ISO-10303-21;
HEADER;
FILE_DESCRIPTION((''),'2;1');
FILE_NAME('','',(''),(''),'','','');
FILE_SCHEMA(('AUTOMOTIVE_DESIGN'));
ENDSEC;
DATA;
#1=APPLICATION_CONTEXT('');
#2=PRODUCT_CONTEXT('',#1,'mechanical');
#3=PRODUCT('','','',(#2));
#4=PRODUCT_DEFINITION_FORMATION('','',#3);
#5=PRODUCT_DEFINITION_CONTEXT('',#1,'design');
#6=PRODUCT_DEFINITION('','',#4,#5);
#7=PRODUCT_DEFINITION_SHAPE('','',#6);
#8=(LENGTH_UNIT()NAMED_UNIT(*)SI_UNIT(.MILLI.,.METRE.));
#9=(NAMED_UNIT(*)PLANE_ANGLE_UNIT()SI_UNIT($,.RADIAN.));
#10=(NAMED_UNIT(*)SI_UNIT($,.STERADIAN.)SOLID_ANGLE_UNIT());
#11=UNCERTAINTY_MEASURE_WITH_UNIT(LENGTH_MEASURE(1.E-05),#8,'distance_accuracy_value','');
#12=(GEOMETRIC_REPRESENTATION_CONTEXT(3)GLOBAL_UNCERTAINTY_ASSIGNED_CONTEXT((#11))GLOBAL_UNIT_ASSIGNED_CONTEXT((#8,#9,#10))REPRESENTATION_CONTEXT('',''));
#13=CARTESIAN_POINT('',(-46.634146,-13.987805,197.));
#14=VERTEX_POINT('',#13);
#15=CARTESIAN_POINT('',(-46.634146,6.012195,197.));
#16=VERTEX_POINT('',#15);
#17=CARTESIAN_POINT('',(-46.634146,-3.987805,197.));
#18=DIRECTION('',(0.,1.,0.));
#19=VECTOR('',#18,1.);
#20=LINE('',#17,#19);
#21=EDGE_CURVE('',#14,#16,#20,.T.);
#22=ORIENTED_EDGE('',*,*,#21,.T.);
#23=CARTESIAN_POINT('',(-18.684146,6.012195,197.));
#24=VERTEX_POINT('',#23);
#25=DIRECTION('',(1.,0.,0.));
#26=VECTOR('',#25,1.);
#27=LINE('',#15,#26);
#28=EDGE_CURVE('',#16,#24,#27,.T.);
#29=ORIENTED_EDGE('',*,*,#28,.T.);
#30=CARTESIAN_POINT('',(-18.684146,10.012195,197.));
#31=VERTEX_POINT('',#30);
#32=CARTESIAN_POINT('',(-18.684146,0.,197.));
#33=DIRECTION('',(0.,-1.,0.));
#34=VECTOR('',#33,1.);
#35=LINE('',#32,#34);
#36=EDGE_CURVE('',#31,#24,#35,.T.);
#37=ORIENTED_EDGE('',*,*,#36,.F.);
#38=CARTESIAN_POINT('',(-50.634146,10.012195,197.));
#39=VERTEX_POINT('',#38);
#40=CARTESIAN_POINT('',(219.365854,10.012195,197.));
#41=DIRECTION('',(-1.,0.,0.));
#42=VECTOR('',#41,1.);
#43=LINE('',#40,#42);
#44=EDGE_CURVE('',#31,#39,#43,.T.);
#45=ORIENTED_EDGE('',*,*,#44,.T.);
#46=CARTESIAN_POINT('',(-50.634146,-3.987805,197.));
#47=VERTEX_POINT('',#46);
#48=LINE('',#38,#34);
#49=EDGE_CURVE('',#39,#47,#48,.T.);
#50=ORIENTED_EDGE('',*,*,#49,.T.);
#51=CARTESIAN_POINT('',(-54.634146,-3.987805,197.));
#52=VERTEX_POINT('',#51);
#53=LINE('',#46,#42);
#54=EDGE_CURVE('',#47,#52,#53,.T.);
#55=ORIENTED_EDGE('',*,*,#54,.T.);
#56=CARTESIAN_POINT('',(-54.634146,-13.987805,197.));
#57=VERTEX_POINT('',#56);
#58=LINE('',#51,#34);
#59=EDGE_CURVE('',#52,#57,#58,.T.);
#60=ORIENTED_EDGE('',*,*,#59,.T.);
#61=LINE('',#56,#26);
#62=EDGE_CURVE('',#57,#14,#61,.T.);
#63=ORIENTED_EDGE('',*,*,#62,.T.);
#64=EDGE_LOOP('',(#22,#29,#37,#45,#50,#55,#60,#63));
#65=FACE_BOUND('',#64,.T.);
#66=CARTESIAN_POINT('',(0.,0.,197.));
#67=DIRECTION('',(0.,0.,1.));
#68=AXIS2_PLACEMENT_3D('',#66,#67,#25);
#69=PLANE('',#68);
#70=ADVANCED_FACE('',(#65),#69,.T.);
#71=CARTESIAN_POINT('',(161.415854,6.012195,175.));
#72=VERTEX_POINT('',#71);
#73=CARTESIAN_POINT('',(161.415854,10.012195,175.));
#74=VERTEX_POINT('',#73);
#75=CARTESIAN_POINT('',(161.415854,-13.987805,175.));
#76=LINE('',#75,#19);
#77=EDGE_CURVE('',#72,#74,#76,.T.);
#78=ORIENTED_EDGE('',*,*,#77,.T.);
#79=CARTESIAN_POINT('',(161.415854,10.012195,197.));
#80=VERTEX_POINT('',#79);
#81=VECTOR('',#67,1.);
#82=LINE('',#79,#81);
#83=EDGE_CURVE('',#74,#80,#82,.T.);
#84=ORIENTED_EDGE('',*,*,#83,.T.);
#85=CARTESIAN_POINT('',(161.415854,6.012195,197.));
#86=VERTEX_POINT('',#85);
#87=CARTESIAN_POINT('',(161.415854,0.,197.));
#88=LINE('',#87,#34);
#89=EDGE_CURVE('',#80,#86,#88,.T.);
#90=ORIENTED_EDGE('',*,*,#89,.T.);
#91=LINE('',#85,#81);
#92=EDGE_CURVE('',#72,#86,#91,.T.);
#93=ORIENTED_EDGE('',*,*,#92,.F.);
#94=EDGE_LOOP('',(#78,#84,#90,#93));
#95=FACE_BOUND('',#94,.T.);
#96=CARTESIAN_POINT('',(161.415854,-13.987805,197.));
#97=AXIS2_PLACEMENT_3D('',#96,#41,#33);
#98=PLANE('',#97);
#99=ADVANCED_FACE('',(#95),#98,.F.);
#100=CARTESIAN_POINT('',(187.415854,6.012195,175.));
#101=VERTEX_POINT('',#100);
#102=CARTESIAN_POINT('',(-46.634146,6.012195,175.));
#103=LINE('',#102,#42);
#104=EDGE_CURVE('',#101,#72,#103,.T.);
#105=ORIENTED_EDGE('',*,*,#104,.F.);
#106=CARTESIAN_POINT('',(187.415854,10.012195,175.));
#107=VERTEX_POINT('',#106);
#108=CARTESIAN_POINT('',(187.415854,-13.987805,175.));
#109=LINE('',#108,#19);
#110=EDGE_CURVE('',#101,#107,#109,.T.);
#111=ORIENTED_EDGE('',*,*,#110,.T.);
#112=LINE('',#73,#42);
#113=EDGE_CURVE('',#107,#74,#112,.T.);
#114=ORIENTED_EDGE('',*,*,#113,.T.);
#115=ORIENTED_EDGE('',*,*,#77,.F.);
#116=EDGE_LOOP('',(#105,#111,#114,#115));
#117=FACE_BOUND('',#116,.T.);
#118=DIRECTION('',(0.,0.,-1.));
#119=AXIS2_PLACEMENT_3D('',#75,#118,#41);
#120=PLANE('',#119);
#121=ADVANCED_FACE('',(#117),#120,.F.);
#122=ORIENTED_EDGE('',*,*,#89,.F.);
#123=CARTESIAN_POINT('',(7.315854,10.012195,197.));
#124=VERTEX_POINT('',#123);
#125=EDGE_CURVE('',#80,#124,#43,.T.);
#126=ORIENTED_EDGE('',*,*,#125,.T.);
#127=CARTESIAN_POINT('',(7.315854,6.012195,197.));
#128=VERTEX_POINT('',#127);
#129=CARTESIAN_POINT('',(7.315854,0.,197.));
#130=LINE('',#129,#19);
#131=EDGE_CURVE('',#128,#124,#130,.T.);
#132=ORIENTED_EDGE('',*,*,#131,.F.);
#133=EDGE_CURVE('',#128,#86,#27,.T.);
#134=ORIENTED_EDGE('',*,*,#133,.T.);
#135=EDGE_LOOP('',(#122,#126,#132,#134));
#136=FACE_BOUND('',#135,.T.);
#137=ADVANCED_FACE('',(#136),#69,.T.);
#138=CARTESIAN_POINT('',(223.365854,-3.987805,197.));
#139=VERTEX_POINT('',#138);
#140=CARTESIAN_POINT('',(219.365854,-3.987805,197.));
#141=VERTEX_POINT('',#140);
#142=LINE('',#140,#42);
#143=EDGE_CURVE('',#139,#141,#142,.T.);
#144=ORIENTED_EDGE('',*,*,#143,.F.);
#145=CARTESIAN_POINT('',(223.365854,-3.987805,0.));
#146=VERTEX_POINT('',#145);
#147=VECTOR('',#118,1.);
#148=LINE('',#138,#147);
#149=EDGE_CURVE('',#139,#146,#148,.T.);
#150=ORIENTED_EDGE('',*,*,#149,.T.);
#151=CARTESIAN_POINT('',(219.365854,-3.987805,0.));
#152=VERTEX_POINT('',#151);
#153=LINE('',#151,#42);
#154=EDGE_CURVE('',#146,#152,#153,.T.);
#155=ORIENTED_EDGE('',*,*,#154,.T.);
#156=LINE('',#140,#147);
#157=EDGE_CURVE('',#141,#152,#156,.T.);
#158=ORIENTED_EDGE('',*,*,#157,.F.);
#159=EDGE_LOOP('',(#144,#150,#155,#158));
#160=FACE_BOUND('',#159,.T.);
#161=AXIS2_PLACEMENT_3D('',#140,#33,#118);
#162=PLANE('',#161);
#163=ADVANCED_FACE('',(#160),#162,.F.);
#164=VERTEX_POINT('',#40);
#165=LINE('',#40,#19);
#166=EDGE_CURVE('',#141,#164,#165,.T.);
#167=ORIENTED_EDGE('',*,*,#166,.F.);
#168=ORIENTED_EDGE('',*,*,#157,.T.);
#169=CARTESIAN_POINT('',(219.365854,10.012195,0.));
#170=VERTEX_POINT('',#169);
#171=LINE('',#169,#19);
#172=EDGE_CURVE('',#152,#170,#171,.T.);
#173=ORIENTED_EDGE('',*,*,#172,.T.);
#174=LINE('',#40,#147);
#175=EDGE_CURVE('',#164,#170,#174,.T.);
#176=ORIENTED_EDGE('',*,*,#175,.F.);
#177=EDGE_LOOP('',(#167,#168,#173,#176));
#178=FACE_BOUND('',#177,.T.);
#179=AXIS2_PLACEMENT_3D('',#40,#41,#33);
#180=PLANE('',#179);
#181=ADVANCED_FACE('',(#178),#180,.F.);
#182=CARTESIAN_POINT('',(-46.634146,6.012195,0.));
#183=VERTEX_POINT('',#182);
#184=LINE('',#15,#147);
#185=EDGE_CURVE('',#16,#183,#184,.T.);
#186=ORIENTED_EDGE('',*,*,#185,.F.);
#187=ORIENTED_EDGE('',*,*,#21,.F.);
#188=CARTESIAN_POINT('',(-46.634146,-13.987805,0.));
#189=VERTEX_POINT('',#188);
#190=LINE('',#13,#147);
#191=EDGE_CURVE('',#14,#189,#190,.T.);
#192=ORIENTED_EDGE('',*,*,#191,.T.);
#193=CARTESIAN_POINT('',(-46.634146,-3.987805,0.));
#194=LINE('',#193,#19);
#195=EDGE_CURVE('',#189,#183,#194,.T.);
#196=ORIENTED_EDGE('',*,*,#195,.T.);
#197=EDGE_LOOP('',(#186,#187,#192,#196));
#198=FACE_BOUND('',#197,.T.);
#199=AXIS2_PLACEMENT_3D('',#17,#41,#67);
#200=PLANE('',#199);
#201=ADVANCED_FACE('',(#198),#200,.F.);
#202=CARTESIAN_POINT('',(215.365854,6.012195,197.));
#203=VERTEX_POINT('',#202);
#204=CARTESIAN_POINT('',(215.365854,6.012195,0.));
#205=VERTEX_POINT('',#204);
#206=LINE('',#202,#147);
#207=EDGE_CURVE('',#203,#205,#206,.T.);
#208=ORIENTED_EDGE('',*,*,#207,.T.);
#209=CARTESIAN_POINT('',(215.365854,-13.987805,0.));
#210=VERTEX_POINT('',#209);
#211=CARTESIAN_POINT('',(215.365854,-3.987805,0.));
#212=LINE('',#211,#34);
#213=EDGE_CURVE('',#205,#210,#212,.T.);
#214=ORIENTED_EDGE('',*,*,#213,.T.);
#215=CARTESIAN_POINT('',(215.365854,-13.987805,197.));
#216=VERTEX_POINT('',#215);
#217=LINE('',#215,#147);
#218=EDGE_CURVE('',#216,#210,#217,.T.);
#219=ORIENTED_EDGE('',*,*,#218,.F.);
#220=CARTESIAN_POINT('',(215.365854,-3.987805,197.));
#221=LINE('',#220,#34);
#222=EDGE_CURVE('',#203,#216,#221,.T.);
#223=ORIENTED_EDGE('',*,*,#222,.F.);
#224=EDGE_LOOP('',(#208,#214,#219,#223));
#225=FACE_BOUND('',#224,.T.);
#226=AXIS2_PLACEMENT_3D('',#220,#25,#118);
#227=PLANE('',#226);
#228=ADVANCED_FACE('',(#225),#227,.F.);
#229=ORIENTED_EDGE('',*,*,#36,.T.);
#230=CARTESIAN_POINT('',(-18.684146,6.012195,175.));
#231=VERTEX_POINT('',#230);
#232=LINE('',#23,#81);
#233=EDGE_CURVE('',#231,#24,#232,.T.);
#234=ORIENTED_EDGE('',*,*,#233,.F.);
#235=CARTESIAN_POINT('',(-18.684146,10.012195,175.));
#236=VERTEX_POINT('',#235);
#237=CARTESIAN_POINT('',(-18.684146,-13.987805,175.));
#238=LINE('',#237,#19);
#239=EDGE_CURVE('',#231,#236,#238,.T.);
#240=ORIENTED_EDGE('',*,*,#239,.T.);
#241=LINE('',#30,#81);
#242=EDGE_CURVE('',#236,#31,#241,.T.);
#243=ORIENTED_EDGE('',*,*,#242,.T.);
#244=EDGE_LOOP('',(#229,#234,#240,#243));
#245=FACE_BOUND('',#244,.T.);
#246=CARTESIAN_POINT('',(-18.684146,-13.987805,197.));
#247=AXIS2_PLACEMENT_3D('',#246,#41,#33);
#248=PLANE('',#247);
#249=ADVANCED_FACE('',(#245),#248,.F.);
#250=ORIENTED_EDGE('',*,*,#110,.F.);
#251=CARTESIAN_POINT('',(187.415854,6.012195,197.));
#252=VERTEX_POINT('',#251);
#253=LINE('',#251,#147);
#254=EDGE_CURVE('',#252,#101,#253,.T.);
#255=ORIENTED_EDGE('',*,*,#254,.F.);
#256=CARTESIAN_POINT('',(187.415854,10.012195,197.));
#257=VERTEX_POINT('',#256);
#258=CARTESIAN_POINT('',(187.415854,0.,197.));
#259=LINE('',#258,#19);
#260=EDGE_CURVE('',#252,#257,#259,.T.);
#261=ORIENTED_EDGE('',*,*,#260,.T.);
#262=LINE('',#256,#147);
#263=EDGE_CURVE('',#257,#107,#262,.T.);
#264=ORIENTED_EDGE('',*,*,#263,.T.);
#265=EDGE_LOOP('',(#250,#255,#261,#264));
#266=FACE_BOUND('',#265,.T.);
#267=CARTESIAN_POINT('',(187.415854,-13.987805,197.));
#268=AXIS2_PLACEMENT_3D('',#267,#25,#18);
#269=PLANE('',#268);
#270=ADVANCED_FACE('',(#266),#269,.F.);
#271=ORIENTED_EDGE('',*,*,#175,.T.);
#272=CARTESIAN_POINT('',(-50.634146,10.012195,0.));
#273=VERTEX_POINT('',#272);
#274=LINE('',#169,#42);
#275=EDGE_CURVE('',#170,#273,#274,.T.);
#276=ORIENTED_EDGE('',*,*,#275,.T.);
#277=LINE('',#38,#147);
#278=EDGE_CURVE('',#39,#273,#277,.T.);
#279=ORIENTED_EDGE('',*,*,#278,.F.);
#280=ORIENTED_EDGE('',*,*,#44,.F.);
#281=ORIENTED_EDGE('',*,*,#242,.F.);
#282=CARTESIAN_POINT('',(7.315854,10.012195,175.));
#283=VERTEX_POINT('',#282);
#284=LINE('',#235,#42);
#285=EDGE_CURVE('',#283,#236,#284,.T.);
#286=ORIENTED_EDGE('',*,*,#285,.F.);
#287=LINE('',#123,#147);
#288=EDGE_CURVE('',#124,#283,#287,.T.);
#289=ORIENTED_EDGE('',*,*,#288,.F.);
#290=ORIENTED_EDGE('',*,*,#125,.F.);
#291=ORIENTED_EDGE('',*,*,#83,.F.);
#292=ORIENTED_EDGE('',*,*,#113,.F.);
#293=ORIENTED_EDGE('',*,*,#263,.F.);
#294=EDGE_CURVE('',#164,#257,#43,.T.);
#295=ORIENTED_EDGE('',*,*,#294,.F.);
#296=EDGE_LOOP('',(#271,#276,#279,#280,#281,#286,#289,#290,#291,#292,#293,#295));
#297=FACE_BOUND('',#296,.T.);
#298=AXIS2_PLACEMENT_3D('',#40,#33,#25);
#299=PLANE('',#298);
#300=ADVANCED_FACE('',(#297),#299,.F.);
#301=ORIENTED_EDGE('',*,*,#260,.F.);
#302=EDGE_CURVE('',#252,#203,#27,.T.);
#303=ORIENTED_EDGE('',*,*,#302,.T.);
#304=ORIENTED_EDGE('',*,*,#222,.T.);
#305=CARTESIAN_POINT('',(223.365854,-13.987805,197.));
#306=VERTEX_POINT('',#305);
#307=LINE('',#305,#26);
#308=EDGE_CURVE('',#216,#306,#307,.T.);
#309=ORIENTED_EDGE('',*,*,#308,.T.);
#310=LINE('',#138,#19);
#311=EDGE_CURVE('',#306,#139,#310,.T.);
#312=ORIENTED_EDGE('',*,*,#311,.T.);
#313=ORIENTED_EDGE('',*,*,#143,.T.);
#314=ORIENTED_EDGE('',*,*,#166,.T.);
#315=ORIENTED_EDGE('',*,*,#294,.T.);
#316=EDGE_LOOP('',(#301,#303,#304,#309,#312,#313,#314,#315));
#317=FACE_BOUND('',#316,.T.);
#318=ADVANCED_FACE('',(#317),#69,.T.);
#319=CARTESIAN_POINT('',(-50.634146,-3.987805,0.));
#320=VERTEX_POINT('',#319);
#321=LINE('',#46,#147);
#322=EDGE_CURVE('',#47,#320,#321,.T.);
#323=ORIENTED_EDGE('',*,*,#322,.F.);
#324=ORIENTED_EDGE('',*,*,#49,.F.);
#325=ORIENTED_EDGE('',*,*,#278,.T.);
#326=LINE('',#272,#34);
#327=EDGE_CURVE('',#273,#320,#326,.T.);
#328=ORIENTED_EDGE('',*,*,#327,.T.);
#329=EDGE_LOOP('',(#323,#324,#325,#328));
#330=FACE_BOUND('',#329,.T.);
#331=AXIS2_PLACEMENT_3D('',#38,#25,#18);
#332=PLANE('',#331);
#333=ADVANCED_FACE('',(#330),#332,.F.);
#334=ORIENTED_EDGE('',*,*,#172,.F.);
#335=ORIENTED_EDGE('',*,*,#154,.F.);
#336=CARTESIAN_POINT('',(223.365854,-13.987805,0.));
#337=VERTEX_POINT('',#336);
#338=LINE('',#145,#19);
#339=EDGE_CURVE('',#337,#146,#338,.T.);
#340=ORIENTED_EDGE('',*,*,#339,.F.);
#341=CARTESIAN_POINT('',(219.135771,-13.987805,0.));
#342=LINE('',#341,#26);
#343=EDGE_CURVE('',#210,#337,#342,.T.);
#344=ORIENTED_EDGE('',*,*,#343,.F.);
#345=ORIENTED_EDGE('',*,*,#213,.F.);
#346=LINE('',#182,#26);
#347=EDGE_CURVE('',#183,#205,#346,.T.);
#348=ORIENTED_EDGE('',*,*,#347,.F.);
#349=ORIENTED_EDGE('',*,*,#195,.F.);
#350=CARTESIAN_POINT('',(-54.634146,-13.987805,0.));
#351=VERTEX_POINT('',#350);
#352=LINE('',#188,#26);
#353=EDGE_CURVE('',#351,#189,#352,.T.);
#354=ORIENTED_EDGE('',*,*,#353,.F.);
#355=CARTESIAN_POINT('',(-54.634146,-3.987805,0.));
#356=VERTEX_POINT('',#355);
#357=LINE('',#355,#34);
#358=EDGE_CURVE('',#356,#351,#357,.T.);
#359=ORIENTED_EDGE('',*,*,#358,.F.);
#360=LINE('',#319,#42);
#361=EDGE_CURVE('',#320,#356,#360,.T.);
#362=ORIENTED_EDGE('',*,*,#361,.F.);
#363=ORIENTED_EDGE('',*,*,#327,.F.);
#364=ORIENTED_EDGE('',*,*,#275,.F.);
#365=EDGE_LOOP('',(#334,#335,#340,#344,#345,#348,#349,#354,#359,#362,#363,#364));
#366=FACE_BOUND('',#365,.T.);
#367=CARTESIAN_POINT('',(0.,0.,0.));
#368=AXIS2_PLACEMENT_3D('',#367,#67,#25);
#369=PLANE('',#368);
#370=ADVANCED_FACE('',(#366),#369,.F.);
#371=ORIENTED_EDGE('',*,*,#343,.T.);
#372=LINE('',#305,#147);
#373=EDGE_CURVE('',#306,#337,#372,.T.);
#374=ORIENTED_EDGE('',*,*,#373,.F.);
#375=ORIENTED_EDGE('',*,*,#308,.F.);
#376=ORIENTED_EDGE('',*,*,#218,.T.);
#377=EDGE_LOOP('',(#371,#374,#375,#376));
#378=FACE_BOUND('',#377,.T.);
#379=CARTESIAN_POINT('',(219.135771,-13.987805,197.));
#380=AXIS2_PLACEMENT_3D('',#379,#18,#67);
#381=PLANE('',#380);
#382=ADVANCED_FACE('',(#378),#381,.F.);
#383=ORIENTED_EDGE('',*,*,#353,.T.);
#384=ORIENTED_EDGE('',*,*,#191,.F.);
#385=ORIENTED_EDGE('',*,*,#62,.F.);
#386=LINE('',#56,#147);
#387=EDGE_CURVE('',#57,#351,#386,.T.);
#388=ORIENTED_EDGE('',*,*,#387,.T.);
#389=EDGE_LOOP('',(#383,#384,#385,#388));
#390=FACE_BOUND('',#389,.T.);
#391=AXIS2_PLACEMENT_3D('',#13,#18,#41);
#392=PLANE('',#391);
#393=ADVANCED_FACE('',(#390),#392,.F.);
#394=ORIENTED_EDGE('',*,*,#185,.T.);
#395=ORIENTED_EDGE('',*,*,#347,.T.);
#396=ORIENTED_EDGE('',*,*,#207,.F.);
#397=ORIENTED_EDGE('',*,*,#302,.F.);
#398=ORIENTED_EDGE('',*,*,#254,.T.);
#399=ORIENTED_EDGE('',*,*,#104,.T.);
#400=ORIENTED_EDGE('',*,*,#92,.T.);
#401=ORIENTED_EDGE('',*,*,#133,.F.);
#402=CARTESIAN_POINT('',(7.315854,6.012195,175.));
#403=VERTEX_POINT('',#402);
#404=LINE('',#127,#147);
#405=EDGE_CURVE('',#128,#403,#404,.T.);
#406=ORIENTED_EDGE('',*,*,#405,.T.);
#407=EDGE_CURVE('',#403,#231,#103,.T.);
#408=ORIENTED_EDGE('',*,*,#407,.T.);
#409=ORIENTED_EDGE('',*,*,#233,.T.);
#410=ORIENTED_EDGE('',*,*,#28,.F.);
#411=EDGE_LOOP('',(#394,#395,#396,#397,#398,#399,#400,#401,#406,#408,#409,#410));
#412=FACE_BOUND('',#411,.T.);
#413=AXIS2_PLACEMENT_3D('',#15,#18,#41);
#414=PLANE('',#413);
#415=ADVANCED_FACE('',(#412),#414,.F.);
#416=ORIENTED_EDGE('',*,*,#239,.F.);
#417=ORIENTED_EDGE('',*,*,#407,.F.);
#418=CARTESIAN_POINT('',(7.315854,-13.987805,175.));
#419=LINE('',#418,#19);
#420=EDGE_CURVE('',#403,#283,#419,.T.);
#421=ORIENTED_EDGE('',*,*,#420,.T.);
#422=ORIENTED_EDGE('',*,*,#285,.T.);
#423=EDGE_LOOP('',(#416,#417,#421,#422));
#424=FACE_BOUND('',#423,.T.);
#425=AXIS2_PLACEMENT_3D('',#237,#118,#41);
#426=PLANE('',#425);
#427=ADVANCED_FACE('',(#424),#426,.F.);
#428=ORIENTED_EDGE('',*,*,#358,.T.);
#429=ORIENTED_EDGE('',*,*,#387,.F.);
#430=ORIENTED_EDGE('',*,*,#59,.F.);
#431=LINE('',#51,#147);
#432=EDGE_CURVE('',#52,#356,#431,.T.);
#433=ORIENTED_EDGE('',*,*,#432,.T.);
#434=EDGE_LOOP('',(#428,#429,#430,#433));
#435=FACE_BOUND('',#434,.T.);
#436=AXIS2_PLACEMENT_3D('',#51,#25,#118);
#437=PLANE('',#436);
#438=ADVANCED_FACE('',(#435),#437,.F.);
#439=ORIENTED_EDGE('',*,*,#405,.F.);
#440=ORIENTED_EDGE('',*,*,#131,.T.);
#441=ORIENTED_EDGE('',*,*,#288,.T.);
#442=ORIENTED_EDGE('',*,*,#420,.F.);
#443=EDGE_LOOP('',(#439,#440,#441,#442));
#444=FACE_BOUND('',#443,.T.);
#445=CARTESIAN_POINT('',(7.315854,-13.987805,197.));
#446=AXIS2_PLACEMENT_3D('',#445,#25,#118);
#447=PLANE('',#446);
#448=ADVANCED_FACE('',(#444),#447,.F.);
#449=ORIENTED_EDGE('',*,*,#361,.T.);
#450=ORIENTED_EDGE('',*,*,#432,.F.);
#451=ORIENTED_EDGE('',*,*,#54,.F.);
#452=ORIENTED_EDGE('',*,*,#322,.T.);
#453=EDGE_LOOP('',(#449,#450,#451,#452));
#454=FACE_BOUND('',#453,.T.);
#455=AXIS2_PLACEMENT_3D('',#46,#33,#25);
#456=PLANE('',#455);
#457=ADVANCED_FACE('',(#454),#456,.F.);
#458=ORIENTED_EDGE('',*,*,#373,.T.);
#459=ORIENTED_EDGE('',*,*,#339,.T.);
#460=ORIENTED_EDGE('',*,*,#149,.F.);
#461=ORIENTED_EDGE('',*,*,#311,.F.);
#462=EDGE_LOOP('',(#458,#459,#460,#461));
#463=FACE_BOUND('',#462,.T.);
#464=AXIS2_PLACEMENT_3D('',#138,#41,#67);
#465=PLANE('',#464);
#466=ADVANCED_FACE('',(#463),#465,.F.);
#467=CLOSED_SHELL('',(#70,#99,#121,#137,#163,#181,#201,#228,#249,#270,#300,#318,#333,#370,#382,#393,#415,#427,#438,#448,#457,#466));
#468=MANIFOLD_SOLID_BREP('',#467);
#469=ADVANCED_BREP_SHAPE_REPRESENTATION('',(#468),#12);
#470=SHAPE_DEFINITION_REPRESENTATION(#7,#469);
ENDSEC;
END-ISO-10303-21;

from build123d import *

# Parameters (mm, degrees)
SALIENTE_EXTRUIR1_DEPTH = 197
CROQUIS3_W              = 26
CROQUIS3_H              = 22
CORTAR_EXTRUIR1_DEPTH   = 299.793079874


with BuildPart() as part:
    # Croquis1 → Saliente-Extruir1 (new body)
    with BuildSketch(Plane.XY):
        Polygon((219.365853659, 10.012195122), (-50.634146341, 10.012195122), (-50.634146341, -3.987804878), (-54.634146341, -3.987804878), (-54.634146341, -13.987804878), (-49.344908275, -13.987804878), (-46.634146341, -13.987804878), (-46.634146341, -3.987804878), (-46.634146341, 6.012195122), (215.365853659, 6.012195122), (215.365853659, -3.987804878), (215.365853659, -13.987804878), (219.1357706, -13.987804878), (223.365853659, -13.987804878), (223.365853659, -3.987804878), (219.365853659, -3.987804878), align=None)
    extrude(amount=SALIENTE_EXTRUIR1_DEPTH)

    # Croquis3 → Cortar-Extruir1 (cut, through all)
    with BuildSketch(Plane(origin=(0, 10.012195122, 0), x_dir=(1, 0, 0), z_dir=(0, 1, 0))):
        with Locations((-5.684146341, -186)):
            Rectangle(CROQUIS3_W, CROQUIS3_H)
        with Locations((174.415853659, -186)):
            Rectangle(CROQUIS3_W, CROQUIS3_H)
    extrude(amount=-CORTAR_EXTRUIR1_DEPTH, mode=Mode.SUBTRACT)


solid = part.part
